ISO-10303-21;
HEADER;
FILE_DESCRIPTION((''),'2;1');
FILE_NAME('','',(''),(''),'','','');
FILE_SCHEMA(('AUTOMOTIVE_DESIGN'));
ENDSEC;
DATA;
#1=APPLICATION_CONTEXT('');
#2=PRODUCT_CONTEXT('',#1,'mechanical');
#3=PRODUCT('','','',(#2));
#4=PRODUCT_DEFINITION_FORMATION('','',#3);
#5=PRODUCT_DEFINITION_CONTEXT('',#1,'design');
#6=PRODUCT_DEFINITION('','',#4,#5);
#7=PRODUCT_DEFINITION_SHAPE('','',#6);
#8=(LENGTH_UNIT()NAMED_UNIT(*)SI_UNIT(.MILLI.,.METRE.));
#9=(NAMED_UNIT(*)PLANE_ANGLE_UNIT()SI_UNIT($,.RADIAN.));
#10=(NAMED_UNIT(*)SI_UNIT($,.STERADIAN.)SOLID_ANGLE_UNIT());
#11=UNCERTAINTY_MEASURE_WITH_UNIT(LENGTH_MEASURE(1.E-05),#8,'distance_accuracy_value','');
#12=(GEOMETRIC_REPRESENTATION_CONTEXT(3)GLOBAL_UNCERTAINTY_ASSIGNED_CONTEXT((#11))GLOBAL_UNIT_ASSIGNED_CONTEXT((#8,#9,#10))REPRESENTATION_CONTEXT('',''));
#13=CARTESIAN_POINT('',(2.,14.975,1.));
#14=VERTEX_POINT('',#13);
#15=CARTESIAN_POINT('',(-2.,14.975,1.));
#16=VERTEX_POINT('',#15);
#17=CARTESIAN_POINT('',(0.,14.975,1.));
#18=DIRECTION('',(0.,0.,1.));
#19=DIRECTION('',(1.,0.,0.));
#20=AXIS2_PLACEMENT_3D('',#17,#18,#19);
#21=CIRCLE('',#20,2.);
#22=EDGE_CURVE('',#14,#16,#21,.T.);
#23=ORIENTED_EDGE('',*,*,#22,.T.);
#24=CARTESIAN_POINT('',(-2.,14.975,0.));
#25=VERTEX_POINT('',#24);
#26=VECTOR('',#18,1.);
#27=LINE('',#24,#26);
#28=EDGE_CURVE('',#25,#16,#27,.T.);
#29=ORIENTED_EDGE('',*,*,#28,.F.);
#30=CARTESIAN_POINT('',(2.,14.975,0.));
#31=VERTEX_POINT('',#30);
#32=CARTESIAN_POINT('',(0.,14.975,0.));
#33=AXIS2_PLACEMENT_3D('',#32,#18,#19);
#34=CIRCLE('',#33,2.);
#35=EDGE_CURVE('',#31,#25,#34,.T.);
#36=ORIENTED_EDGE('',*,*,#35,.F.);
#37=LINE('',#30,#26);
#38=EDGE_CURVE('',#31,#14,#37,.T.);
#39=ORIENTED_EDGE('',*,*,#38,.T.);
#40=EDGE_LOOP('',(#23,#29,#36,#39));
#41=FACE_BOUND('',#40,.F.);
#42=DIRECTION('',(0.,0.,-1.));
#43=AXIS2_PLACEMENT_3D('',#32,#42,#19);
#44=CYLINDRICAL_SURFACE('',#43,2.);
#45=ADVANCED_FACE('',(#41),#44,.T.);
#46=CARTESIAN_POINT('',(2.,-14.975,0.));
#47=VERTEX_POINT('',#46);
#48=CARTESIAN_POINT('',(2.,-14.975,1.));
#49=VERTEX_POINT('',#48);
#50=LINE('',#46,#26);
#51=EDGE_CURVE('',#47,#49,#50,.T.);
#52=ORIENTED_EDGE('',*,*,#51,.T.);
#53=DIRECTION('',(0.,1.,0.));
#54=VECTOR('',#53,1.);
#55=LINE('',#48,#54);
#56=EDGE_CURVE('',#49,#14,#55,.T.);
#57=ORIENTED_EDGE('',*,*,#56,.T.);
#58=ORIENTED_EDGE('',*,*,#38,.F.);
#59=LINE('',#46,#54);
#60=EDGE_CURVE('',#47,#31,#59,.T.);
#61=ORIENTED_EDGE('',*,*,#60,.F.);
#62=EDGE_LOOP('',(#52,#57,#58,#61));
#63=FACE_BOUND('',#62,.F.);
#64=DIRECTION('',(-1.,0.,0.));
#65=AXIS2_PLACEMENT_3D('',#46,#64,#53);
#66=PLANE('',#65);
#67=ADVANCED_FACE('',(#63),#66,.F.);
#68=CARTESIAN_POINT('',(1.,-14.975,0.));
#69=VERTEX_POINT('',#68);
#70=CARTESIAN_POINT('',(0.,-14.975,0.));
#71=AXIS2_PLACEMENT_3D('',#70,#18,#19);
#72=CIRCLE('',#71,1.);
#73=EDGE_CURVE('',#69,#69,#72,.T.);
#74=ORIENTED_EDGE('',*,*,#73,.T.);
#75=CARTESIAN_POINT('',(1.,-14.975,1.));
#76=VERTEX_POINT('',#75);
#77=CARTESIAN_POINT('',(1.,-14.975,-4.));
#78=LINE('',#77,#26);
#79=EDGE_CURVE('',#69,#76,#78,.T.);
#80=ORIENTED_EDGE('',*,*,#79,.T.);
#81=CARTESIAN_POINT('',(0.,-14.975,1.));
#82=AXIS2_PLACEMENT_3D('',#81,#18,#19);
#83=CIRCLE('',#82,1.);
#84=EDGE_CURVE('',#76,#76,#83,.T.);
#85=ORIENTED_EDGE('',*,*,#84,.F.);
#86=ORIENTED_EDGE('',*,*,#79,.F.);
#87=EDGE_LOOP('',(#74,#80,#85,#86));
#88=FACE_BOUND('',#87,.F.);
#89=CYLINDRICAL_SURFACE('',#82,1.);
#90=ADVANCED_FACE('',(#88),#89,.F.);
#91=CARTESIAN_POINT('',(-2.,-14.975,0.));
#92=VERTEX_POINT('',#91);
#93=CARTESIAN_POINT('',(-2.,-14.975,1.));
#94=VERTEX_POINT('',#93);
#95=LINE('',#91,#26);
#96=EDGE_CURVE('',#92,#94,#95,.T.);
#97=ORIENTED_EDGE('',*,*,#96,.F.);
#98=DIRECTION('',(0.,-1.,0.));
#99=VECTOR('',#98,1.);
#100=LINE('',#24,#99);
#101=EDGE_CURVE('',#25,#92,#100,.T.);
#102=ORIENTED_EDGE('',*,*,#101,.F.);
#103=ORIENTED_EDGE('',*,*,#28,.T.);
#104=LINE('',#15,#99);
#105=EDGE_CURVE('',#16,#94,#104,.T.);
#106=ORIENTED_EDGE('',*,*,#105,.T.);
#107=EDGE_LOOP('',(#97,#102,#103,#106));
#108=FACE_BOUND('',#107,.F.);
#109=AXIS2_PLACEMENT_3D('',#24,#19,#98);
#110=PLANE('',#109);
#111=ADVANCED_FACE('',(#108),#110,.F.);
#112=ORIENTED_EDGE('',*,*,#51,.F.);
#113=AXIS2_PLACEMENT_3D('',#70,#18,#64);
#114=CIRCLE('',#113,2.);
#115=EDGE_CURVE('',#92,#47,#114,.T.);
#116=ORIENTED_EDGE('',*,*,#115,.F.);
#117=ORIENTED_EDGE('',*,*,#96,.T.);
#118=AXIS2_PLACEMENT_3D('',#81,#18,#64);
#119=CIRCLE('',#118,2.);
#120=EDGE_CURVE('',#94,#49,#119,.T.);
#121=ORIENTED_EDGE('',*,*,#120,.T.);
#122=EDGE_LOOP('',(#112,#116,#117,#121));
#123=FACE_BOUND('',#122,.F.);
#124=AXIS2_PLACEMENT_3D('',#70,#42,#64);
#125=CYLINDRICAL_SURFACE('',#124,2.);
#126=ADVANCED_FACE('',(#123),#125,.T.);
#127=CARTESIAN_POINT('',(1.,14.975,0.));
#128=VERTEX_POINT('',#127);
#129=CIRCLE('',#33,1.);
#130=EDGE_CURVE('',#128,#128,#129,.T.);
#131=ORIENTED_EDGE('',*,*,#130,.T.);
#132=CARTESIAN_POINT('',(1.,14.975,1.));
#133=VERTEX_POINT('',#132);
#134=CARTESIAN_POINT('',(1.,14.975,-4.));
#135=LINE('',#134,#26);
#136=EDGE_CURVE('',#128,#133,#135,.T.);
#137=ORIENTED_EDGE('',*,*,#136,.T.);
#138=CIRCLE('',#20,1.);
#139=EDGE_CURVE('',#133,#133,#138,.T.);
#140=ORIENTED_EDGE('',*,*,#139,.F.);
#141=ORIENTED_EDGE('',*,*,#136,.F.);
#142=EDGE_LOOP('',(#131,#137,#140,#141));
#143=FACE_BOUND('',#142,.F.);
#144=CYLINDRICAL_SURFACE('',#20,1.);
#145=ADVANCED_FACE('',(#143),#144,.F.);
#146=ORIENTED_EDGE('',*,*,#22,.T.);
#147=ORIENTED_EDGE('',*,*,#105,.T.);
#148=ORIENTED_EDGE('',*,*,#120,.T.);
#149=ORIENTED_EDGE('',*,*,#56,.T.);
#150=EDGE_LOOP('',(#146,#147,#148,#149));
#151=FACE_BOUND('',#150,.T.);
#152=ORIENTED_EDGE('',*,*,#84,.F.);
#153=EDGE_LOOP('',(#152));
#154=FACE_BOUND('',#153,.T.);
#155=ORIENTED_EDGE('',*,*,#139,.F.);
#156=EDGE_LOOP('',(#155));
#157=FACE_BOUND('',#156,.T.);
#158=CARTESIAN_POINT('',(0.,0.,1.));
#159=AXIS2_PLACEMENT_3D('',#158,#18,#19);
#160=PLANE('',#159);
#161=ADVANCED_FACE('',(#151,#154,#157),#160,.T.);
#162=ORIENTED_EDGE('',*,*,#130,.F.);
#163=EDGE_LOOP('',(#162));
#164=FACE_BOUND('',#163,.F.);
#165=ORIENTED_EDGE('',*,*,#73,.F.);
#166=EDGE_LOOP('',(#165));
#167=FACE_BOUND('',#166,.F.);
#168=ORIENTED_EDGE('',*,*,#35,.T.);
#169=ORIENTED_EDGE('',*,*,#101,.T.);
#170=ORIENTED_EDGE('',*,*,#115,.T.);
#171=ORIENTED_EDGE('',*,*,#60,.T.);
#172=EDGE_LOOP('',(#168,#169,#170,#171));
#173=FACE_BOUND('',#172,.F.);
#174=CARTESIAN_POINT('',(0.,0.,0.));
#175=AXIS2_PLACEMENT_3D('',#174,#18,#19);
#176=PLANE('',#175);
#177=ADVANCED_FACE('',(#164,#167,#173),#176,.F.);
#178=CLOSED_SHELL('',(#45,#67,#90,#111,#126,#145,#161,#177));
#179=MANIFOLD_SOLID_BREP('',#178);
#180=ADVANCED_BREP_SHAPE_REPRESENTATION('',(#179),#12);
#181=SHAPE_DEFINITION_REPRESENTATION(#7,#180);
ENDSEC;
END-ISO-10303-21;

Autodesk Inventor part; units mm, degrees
ref_plane "YZ Plane" through (0, 0, 0) normal (1, 0, 0) x (0, 1, 0)
ref_plane "XZ Plane" through (0, 0, 0) normal (0, 1, 0) x (-1, 0, 0)
ref_plane "XY Plane" through (0, 0, 0) normal (0, 0, 1) x (1, 0, 0)
sketch "草圖1" plane through (0, 0, 0) normal (0, 0, 1) x (1, 0, 0)
  line L0 (0, -14.975) -> (0, 14.975) construction
  line L1 (2, -14.975) -> (2, 14.975)
  line L2 (-2, 14.975) -> (-2, -14.975)
  arc A0 (-2, -14.975) -> (2, -14.975) centre (0, -14.975) ccw
  arc A1 (2, 14.975) -> (-2, 14.975) centre (0, 14.975) ccw
  point P0 (0, 0)
  dimension "d0" = 29.95
  dimension "d1" = 4
extrude "擠出1" add sketch "草圖1" along normal blind 1
sketch "草圖2" plane through (0, 0, 1) normal (0, 0, 1) x (1, 0, 0)
  arc A0 (2, 14.975) -> (-2, 14.975) centre (0, 14.975) ccw projected
  circle A1 centre (0, 14.975) radius 0.75
  arc A2 (-2, -14.975) -> (2, -14.975) centre (0, -14.975) ccw projected
  circle A3 centre (0, -14.975) radius 0.75
  point P0 (0, 0)
  dimension "d6" = 1.5
  dimension "d7" = 1.5
extrude "擠出2" add sketch "草圖2" along normal blind 1
sketch "草圖3" plane through (0, 0, 1) normal (0, 0, 1) x (1, 0, 0)
  circle A0 centre (0, 14.975) radius 0.75 projected
  circle A1 centre (0, 14.975) radius 1
  circle A2 centre (0, -14.975) radius 0.75 projected
  circle A3 centre (0, -14.975) radius 1
  point P0 (0, 0)
  dimension "d10" = 2
  dimension "d11" = 2
extrude "擠出3" cut sketch "草圖3" along normal mid plane 10 contours A0 | A1 | A2 | A3
properties part number "連桿1"
